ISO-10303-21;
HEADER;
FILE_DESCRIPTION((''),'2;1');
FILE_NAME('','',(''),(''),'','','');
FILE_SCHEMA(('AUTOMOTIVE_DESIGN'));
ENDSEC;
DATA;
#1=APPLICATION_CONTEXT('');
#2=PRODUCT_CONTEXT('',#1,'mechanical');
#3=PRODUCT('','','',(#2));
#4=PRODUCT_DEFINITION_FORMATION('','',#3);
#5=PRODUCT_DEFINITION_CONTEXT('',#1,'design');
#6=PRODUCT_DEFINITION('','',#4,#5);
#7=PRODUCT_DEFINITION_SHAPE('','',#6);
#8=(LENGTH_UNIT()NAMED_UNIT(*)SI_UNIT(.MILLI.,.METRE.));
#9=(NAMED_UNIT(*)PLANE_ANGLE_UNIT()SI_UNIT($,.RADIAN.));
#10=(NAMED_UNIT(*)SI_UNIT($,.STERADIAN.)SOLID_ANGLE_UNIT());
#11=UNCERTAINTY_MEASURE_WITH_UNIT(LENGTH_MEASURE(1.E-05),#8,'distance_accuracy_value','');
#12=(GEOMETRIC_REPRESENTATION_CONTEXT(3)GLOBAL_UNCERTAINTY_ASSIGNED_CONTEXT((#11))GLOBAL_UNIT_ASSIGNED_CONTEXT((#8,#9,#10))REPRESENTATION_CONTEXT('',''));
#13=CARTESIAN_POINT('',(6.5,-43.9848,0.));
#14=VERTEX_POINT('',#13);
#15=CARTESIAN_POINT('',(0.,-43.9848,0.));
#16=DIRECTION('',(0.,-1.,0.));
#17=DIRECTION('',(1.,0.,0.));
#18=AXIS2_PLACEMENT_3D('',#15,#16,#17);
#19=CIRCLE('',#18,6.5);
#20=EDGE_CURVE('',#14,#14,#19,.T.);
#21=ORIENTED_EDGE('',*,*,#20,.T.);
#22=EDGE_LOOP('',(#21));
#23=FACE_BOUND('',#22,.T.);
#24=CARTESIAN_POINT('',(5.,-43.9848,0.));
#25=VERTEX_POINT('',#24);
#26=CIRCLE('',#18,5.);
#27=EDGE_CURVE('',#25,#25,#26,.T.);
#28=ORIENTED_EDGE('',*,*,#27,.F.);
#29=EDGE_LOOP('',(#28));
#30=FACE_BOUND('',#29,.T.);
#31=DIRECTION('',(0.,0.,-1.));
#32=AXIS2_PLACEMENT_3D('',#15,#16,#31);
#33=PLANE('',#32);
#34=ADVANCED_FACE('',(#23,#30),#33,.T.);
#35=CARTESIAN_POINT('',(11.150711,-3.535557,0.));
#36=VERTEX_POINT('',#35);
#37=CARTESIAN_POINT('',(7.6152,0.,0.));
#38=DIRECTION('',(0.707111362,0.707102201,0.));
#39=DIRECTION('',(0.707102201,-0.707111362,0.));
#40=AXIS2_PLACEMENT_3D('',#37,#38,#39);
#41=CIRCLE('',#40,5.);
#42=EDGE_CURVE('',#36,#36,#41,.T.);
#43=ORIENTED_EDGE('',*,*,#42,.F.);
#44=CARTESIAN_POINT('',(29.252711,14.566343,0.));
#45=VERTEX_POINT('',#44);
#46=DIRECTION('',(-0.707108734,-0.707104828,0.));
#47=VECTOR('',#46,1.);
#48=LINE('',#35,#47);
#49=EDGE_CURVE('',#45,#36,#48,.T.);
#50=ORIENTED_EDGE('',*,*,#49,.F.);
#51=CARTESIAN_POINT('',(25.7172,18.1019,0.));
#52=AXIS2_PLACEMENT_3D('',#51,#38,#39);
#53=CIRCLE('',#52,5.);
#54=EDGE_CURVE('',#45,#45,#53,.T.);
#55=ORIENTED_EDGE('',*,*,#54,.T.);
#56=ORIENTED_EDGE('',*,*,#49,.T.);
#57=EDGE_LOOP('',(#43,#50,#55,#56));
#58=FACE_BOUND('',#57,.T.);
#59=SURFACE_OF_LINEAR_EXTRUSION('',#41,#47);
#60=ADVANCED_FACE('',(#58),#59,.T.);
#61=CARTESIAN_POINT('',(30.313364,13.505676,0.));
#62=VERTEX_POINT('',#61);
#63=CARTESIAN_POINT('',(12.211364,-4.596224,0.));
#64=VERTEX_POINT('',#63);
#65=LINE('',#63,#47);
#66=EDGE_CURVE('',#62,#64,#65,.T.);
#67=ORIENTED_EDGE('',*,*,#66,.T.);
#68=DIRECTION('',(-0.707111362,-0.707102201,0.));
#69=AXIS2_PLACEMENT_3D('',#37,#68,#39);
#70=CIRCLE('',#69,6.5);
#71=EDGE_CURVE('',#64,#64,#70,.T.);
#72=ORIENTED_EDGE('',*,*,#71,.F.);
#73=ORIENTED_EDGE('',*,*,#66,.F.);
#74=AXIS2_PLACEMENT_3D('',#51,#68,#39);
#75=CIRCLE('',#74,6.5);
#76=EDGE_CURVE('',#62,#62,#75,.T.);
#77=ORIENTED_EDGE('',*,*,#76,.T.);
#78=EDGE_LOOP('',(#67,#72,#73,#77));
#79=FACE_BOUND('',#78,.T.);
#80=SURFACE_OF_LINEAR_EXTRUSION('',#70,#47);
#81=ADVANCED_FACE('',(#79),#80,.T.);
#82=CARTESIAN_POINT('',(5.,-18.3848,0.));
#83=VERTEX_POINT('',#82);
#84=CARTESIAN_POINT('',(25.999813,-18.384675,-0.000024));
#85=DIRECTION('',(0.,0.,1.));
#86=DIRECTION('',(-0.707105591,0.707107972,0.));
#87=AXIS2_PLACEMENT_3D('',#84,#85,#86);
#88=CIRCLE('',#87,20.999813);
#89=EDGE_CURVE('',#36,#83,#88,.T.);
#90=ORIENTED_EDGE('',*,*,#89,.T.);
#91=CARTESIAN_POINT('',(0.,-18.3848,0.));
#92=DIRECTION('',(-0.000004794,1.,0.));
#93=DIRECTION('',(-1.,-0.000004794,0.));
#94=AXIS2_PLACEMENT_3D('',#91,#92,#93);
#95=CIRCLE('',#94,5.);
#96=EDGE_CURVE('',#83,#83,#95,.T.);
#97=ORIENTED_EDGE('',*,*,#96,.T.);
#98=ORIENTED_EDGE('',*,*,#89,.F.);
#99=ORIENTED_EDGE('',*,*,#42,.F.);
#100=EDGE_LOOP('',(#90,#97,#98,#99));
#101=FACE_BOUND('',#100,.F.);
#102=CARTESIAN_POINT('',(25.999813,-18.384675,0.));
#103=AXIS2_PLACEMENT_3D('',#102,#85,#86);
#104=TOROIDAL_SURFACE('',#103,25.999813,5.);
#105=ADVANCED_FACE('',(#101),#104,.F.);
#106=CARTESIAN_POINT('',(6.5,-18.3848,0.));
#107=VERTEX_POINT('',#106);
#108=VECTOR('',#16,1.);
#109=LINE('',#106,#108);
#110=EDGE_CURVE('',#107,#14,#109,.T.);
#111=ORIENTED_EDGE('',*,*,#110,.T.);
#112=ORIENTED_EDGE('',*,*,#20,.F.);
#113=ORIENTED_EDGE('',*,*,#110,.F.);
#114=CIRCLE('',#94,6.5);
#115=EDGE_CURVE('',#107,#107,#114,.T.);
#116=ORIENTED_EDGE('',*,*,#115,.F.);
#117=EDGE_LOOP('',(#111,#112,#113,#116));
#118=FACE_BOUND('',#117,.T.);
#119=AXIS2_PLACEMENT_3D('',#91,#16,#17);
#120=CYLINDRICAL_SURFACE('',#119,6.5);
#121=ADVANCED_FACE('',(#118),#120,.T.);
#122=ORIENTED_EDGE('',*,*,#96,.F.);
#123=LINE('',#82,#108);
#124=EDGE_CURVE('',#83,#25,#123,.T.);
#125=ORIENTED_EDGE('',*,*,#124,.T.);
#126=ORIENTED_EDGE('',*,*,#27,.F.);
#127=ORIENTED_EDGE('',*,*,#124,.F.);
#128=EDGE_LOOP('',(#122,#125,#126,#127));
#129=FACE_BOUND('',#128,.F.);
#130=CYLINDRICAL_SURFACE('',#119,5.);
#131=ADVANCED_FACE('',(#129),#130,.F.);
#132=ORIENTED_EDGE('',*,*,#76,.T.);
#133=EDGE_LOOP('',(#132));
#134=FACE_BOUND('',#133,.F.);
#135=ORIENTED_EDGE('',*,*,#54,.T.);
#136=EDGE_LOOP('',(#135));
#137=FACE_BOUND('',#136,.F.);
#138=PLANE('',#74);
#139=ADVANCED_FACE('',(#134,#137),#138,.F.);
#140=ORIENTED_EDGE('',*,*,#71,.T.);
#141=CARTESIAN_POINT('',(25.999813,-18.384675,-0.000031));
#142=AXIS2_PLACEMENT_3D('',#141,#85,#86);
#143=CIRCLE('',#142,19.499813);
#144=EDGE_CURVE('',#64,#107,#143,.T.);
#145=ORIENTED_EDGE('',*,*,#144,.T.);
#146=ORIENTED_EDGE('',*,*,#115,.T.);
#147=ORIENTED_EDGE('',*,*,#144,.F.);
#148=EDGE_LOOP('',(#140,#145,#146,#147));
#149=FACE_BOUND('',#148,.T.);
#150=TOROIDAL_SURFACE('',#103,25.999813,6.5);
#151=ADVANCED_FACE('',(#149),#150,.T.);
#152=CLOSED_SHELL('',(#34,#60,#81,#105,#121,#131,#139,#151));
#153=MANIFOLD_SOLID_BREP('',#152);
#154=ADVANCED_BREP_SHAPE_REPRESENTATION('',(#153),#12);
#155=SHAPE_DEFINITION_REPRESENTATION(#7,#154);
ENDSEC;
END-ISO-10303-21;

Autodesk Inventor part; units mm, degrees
ref_plane "YZ Plane" through (0, 0, 0) normal (1, 0, 0) x (0, 1, 0)
ref_plane "XZ Plane" through (0, 0, 0) normal (0, 1, 0) x (-1, 0, 0)
sketch "Szkic6" plane through (0, 0, 0) normal (0, 0, 1) x (1, 0, 0)
  line L0 (-29.6067, 0) -> (35.2678, 0) construction
  line L1 (0, 42.3419) -> (0, -58.3726) construction
  arc A0 (7.6152, 0) -> (0, -18.3848) centre (26, -18.3848) ccw
  line L2 (0, -18.3848) -> (26, -18.3848) construction
  line L3 (26, -18.3848) -> (-20.3389, 27.9541) construction
  line L4 (7.6152, 0) -> (25.7172, 18.1019)
  line L5 (0, -18.3848) -> (0, -43.9848)
  point P0 (0, 0)
  dimension "d24" = 55
  dimension "d31" = 45
  dimension "d36" = 0
  dimension "d37" = 0
ref_plane "Płaszczyzna konstrukcyjna2" through (0, -18.3848, 0) normal (0, -1, 0) x (1, 0, 0)
sketch "Szkic8" plane through (0, -18.3848, 0) normal (0, -1, 0) x (1, 0, 0)
  circle A0 centre (0, 0) radius 6.5
  circle A1 centre (0, 0) radius 5
  dimension "d32" = 34
  dimension "d33" = 1.5
sweep "Przeciągnięcie2" add profiles "Szkic8" path "Szkic6"
equation "\"d32\" = OD"
equation "\"d33\" = THK"
equation "\"d24\" = R"
equation "\"d31\" = KAT"
equation "\"SzerokośćGięciaPodcięcia\" = Grubość"
equation "\"RozmiarPodcięciaNarożnika\" = 4 * Grubość"
equation "\"PromieńPrzejścia\" = PromieńGięcia"
equation "\"Rozmiar_promienia_Jacobiego\" = PromieńGięcia"
equation "\"Wielk_odstępu\" = Grubość"
equation "\"d2\" = PromieńGięcia"
equation "\"d23\" = PromieńGięcia"
equation "\"R\" = 55"
equation "\"OD\" = 34"
equation "\"THK\" = 1.5"
equation "\"KAT\" = 45deg"
equation "\"PROSTKA\" = 0"
equation "\"Grubość\" = 1.5"
equation "\"PromieńGięcia\" = 3"
properties part number "Kolano 45° ø34x1,5 R55" material "304L"
